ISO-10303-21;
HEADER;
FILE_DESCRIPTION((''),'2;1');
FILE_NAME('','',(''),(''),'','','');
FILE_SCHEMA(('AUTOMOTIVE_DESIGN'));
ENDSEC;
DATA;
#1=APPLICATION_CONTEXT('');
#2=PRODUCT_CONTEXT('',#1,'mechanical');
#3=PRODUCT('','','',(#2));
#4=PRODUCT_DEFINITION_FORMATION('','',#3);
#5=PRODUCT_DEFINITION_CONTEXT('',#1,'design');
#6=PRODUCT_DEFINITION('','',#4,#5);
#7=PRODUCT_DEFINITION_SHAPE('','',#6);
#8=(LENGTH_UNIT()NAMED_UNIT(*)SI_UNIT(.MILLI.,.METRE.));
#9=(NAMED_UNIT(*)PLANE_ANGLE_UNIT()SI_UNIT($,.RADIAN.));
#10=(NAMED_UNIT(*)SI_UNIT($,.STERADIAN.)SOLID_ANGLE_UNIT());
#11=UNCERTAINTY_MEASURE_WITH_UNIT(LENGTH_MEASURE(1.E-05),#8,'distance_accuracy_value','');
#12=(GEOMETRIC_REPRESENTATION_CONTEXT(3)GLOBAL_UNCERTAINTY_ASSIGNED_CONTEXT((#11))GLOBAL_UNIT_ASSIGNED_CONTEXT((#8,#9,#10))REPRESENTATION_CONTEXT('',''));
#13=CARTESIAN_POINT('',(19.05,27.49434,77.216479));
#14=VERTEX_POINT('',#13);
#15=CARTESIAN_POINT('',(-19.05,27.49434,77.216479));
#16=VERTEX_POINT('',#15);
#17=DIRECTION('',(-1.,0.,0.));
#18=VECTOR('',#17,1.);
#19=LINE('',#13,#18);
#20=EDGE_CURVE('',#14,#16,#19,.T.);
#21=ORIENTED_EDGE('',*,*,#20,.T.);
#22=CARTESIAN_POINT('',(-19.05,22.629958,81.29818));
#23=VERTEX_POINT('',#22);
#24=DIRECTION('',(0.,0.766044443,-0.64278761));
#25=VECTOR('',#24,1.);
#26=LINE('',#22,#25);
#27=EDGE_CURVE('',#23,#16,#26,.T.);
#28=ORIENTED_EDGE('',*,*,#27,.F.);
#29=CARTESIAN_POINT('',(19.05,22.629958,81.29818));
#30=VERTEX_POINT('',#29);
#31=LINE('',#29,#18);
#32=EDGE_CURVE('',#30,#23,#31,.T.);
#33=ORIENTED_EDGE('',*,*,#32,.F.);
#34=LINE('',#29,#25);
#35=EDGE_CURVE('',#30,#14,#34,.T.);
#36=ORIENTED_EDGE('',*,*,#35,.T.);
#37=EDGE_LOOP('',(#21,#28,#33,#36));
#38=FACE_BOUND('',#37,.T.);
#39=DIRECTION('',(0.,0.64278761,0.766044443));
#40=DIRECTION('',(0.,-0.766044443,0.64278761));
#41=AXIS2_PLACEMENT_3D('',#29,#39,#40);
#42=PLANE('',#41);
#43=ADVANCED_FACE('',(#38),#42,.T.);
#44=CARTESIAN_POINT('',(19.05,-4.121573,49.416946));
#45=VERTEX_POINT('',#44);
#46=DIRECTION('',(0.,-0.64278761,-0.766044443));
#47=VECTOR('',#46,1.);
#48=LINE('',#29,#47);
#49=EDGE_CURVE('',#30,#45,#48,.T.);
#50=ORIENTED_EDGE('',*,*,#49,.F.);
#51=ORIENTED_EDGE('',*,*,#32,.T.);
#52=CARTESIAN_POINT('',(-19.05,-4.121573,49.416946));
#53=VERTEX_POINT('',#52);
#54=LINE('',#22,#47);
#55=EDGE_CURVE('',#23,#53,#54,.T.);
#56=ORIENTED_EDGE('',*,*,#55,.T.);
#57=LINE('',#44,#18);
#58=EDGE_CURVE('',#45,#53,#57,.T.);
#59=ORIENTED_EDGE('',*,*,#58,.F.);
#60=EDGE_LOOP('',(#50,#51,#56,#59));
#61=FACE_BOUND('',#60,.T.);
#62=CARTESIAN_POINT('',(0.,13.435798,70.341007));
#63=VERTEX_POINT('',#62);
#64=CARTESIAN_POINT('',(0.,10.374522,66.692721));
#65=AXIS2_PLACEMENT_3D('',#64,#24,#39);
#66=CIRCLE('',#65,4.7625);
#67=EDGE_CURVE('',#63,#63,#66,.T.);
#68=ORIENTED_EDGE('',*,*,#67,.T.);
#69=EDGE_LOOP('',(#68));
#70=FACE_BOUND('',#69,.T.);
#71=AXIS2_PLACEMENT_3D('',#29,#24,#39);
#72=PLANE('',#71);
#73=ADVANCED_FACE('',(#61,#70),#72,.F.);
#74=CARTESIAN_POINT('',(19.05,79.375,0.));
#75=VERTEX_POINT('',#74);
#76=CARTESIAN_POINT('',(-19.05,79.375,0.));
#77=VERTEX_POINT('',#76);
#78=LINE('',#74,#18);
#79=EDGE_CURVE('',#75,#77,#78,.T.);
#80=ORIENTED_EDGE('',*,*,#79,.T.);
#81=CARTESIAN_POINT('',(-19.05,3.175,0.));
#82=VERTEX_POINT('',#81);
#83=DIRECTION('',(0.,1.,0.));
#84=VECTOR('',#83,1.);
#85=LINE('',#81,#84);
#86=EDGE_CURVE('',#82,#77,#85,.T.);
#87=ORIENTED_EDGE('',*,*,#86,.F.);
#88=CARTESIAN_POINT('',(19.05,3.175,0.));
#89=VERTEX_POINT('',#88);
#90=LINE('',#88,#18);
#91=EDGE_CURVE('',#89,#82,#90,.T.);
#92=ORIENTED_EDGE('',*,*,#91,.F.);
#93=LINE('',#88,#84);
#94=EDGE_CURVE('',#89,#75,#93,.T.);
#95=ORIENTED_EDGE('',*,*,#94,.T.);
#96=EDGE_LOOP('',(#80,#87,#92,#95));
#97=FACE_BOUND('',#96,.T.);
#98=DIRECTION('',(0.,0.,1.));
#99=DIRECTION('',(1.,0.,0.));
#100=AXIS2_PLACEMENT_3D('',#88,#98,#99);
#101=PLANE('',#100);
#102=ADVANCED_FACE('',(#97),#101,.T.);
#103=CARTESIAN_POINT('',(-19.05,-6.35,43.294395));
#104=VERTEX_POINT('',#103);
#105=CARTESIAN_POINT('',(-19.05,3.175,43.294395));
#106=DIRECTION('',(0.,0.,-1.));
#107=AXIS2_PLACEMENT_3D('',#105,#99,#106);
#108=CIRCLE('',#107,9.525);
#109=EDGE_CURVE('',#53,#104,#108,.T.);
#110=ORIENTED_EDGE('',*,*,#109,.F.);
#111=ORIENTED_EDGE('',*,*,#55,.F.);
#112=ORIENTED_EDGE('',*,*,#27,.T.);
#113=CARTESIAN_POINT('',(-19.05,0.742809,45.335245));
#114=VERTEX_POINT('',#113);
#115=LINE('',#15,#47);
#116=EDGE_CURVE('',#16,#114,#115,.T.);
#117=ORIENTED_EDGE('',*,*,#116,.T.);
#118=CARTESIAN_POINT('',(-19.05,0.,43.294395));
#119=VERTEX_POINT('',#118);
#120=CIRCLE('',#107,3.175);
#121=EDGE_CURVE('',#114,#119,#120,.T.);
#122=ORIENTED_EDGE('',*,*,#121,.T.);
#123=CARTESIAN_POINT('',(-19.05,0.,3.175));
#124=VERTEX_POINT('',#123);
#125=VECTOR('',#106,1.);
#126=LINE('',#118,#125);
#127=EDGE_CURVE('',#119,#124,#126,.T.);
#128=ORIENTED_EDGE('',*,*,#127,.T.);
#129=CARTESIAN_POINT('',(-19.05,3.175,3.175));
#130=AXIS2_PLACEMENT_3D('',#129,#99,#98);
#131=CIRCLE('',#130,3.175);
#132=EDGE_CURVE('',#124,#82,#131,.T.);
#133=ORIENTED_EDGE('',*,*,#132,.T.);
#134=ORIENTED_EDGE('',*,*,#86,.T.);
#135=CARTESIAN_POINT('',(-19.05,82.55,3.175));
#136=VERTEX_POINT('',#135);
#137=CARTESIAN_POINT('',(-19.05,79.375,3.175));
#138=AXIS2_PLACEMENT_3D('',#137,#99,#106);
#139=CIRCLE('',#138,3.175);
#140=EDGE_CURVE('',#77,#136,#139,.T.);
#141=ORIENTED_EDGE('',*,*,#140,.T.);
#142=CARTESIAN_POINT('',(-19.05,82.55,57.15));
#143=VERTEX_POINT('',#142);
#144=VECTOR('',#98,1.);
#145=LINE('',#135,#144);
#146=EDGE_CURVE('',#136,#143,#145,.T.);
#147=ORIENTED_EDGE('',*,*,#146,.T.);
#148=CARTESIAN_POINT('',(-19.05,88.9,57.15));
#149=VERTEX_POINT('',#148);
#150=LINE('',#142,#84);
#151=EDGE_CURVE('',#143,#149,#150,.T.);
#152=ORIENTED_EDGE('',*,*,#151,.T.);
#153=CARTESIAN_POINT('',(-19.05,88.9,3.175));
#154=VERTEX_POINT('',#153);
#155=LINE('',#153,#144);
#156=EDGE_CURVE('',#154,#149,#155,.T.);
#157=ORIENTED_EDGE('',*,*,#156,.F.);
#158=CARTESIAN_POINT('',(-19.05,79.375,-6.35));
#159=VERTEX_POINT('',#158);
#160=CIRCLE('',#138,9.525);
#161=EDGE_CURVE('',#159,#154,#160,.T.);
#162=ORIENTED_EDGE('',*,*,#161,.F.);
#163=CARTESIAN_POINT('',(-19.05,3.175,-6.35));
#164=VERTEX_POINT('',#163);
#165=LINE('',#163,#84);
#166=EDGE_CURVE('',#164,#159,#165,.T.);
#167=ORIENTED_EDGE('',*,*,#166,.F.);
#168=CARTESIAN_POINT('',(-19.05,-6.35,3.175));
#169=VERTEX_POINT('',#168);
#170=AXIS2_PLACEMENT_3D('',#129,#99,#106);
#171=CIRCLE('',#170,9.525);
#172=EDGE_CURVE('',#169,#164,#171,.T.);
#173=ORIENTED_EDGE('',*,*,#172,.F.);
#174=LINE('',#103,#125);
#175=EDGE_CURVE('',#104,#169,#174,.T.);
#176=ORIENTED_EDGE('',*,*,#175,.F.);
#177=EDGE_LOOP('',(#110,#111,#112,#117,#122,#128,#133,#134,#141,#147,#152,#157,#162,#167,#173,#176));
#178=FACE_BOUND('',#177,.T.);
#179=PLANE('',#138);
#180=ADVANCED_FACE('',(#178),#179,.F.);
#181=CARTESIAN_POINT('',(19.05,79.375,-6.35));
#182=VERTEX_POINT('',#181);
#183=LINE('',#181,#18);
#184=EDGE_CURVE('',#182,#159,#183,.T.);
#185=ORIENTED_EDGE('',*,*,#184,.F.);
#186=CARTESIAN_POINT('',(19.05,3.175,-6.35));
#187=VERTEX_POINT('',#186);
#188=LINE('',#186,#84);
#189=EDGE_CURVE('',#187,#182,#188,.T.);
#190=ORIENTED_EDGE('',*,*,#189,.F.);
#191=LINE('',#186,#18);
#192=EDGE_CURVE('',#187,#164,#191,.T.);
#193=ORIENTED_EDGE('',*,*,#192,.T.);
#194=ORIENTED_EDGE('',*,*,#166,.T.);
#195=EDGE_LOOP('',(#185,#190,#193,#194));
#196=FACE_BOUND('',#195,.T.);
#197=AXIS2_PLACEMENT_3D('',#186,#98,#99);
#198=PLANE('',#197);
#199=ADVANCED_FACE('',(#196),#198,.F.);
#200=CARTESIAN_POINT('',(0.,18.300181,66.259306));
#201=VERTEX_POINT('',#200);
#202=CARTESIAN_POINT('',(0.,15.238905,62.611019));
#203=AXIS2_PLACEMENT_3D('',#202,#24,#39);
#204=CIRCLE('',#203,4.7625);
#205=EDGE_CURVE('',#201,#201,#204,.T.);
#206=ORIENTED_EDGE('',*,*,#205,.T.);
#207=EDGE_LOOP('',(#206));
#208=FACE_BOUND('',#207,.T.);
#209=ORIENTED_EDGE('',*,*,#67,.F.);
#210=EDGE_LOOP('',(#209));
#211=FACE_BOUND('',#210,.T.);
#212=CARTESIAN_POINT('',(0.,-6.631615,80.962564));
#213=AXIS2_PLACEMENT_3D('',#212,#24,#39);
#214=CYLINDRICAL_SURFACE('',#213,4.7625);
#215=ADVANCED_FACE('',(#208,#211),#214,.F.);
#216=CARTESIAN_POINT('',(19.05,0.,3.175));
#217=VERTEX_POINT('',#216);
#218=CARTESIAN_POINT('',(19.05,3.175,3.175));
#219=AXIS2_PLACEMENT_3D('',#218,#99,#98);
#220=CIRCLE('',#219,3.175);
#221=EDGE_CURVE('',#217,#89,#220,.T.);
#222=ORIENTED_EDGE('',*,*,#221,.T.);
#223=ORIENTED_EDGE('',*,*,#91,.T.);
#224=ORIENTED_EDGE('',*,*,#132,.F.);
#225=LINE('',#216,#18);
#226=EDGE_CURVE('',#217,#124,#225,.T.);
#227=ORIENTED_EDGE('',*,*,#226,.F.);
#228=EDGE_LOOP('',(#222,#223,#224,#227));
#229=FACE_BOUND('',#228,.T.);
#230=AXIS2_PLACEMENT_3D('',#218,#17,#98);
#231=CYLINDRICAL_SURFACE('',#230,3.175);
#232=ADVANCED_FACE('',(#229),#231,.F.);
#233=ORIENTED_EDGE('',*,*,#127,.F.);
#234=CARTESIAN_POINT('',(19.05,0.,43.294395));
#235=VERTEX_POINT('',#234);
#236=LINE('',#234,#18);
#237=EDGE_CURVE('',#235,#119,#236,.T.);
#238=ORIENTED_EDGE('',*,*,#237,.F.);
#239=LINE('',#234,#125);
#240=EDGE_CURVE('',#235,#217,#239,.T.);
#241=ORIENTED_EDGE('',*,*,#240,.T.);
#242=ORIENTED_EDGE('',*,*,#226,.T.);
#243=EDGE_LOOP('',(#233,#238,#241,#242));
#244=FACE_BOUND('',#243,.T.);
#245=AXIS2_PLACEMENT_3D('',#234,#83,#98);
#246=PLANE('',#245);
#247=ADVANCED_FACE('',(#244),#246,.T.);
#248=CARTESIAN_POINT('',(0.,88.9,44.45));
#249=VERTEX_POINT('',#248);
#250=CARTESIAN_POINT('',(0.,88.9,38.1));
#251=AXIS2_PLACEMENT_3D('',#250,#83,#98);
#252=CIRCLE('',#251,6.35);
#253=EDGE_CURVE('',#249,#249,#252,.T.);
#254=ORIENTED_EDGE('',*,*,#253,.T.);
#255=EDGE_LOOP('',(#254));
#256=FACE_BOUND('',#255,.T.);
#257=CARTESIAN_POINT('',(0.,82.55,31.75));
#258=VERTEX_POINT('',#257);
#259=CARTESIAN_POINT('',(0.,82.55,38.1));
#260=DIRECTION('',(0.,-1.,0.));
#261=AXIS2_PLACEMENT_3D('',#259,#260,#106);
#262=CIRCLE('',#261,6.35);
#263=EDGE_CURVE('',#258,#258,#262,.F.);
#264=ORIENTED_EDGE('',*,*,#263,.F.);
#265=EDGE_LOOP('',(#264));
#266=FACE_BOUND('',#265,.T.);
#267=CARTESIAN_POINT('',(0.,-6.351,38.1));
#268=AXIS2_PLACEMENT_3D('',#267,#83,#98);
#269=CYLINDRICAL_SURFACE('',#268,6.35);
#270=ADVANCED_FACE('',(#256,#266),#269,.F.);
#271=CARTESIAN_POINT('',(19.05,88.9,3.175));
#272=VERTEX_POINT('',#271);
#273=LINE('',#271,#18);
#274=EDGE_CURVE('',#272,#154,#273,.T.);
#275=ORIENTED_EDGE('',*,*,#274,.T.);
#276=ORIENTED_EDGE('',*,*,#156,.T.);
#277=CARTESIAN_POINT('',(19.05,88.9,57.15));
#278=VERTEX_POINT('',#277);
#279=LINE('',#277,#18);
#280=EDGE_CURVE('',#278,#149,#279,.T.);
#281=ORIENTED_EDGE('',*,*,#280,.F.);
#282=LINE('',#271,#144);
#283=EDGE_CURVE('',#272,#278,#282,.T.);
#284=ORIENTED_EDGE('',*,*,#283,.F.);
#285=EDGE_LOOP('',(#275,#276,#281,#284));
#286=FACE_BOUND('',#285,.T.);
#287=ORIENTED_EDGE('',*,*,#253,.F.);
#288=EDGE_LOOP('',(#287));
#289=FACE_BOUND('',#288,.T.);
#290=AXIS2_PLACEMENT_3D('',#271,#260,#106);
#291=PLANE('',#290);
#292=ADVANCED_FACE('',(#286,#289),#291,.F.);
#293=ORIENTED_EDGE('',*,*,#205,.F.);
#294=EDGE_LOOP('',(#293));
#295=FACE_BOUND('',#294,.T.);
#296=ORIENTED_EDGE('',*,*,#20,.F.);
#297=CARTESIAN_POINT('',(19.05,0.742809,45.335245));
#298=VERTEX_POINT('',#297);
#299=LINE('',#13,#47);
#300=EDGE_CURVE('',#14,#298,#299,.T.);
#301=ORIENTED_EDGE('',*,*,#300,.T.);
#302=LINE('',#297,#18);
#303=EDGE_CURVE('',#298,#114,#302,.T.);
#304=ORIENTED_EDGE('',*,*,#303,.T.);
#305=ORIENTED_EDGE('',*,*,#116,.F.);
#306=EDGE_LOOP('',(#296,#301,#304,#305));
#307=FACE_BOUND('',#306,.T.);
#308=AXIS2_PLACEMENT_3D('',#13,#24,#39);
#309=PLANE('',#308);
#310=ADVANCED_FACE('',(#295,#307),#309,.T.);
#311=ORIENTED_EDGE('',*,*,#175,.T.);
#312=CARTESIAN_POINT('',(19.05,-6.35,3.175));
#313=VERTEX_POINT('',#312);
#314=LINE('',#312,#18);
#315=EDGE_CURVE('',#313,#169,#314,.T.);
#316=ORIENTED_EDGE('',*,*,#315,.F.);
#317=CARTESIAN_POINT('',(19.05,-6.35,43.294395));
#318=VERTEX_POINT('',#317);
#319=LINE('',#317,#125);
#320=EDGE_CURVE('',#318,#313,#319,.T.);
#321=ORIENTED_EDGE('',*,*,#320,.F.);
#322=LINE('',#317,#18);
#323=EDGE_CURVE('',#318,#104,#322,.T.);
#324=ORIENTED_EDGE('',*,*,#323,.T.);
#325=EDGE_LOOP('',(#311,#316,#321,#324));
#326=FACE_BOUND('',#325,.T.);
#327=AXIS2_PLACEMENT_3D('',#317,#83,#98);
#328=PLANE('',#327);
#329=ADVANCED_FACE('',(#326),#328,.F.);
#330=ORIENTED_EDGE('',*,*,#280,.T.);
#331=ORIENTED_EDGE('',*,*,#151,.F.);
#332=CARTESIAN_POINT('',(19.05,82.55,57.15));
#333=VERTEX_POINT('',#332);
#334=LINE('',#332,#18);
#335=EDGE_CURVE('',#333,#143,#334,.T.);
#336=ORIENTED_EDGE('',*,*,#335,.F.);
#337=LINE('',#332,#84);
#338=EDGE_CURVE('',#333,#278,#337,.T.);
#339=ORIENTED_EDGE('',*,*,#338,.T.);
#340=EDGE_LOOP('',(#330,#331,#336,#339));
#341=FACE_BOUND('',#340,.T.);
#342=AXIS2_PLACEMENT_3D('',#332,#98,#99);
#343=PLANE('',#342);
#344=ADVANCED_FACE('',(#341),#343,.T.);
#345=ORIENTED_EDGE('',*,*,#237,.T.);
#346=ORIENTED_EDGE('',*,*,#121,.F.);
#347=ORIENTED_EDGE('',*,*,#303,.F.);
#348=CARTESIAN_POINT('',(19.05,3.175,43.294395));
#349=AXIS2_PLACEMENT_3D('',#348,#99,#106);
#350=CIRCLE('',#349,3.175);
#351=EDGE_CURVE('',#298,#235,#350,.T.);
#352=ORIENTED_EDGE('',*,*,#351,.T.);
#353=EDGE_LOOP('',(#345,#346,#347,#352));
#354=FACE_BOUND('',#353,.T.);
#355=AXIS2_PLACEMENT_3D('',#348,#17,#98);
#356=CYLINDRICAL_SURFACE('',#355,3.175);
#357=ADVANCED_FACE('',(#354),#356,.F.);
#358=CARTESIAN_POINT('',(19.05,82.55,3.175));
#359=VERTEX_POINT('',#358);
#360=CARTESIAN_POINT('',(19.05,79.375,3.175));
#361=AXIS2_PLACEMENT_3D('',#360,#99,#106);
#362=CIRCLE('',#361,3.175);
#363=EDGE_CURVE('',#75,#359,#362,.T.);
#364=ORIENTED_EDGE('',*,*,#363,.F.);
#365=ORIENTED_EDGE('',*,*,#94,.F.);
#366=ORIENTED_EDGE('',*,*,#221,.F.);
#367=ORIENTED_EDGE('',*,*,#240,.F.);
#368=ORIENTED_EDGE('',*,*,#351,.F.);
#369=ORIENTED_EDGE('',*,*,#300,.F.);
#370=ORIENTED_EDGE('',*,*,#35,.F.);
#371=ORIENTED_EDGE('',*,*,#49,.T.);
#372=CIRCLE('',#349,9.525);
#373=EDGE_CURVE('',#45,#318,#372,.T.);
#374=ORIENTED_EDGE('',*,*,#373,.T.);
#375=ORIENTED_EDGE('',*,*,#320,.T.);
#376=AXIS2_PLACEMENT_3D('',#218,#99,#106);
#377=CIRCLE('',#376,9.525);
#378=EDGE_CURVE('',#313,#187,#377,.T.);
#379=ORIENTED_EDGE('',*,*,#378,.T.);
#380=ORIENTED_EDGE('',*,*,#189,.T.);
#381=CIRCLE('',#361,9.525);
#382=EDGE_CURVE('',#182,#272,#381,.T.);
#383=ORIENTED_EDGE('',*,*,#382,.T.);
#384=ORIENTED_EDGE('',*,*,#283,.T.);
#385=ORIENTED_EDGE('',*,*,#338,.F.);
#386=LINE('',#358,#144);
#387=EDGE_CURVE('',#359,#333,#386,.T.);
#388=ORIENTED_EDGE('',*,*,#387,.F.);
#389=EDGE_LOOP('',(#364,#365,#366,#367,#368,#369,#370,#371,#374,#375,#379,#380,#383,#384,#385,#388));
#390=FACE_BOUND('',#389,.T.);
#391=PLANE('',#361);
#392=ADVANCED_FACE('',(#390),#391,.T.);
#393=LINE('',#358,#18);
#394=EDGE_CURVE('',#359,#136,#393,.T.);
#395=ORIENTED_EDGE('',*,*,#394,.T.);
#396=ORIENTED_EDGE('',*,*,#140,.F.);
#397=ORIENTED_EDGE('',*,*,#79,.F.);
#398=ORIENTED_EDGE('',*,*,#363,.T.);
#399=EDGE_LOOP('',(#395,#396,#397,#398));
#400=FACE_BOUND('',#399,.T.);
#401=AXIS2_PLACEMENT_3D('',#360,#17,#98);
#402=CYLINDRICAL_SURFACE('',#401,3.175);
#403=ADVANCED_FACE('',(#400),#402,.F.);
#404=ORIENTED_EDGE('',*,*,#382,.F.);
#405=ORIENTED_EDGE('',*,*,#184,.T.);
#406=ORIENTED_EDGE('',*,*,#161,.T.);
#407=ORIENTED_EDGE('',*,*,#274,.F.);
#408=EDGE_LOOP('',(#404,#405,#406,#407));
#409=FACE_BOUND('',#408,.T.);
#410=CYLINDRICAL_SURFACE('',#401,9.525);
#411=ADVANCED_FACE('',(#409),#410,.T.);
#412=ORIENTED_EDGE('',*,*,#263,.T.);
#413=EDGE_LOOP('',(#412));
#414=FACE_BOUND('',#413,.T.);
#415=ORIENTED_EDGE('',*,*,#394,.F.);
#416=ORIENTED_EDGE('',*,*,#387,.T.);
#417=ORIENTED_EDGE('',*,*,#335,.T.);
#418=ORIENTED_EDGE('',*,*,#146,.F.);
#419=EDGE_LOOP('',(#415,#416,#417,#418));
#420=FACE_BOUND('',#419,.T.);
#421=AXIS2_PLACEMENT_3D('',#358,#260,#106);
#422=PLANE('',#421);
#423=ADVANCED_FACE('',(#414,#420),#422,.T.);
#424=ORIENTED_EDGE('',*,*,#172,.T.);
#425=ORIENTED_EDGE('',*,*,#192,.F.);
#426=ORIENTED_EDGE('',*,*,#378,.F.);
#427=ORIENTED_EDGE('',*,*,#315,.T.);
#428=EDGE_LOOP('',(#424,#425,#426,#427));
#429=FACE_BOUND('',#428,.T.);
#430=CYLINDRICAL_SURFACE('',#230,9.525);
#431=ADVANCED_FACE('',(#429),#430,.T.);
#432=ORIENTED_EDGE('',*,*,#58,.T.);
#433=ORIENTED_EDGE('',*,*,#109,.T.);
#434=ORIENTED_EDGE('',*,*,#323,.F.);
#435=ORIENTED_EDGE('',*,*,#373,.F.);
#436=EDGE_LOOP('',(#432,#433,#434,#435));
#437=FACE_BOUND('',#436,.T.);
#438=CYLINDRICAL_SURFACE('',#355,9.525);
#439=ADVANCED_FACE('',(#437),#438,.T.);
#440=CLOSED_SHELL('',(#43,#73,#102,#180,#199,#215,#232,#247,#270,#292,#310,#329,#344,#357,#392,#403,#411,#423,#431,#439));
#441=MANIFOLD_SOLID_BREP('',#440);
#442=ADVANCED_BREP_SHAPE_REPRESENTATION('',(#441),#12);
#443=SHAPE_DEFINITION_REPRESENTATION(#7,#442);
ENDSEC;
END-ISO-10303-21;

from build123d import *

# Parameters (mm, degrees)
BASE_EXTRUDE_THIN_DEPTH = 19.05
CUT_EXTRUDE1_REACH      = 97.25
SKETCH2_R               = 6.35
SKETCH3_R               = 4.7625
CUT_EXTRUDE2_DEPTH      = 29.549935702


with BuildPart() as part:
    # Sketch1 → Base-Extrude-Thin (new body, symmetric)
    with BuildSketch(Plane(origin=(0, 0, 0), x_dir=(0, 0, -1), z_dir=(1, 0, 0))):
        with BuildLine():
            Line((-77.216478592, 27.494340102), (-45.335245167, 0.742808893))
            ThreePointArc((-45.335245167, 0.742808893), (-44.380308461, 0.191475929), (-43.294394506, 0))
            Line((-43.294394506, 0), (-3.175, 0))
            ThreePointArc((-3.175, 0), (-0.92993597, 0.92993597), (0, 3.175))
            Line((0, 3.175), (0, 79.375))
            ThreePointArc((0, 79.375), (-0.92993597, 81.62006403), (-3.175, 82.55))
            Line((-3.175, 82.55), (-57.15, 82.55))
            Line((-57.15, 82.55), (-57.15, 88.9))
            Line((-57.15, 88.9), (-3.175, 88.9))
            ThreePointArc((-3.175, 88.9), (3.560192091, 86.110192091), (6.35, 79.375))
            Line((6.35, 79.375), (6.35, 3.175))
            ThreePointArc((6.35, 3.175), (3.560192091, -3.560192091), (-3.175, -6.35))
            Line((-3.175, -6.35), (-43.294394506, -6.35))
            ThreePointArc((-43.294394506, -6.35), (-46.552136371, -5.775572213), (-49.416946488, -4.121573321))
            Line((-49.416946488, -4.121573321), (-81.298179914, 22.629957888))
            Line((-81.298179914, 22.629957888), (-77.216478592, 27.494340102))
        make_face()
    extrude(amount=BASE_EXTRUDE_THIN_DEPTH, both=True)

    # Sketch2 → Cut-Extrude1 (cut, up to next)
    with BuildSketch(Plane(origin=(0, 88.9, 0), x_dir=(-1, 0, 0), z_dir=(0, 1, 0)), mode=Mode.PRIVATE) as cut_extrude1_sk1:
        with Locations((0, 38.1)):
            Circle(SKETCH2_R)
    cut_extrude1_tool1 = extrude(cut_extrude1_sk1.sketch, amount=-CUT_EXTRUDE1_REACH, mode=Mode.PRIVATE) & part.part
    add(cut_extrude1_tool1.solids().sort_by_distance((0, 88.9, 38.1))[0], mode=Mode.SUBTRACT)

    # Sketch3 → Cut-Extrude2 (cut, through all)
    with BuildSketch(Plane(origin=(0, -21.887352311, 18.365669251), x_dir=(1, 0, 0), z_dir=(0, 0.766044443, -0.64278761))):
        with Locations((0, -57.758202533)):
            Circle(SKETCH3_R)
    extrude(amount=-CUT_EXTRUDE2_DEPTH, mode=Mode.SUBTRACT)


solid = part.part
